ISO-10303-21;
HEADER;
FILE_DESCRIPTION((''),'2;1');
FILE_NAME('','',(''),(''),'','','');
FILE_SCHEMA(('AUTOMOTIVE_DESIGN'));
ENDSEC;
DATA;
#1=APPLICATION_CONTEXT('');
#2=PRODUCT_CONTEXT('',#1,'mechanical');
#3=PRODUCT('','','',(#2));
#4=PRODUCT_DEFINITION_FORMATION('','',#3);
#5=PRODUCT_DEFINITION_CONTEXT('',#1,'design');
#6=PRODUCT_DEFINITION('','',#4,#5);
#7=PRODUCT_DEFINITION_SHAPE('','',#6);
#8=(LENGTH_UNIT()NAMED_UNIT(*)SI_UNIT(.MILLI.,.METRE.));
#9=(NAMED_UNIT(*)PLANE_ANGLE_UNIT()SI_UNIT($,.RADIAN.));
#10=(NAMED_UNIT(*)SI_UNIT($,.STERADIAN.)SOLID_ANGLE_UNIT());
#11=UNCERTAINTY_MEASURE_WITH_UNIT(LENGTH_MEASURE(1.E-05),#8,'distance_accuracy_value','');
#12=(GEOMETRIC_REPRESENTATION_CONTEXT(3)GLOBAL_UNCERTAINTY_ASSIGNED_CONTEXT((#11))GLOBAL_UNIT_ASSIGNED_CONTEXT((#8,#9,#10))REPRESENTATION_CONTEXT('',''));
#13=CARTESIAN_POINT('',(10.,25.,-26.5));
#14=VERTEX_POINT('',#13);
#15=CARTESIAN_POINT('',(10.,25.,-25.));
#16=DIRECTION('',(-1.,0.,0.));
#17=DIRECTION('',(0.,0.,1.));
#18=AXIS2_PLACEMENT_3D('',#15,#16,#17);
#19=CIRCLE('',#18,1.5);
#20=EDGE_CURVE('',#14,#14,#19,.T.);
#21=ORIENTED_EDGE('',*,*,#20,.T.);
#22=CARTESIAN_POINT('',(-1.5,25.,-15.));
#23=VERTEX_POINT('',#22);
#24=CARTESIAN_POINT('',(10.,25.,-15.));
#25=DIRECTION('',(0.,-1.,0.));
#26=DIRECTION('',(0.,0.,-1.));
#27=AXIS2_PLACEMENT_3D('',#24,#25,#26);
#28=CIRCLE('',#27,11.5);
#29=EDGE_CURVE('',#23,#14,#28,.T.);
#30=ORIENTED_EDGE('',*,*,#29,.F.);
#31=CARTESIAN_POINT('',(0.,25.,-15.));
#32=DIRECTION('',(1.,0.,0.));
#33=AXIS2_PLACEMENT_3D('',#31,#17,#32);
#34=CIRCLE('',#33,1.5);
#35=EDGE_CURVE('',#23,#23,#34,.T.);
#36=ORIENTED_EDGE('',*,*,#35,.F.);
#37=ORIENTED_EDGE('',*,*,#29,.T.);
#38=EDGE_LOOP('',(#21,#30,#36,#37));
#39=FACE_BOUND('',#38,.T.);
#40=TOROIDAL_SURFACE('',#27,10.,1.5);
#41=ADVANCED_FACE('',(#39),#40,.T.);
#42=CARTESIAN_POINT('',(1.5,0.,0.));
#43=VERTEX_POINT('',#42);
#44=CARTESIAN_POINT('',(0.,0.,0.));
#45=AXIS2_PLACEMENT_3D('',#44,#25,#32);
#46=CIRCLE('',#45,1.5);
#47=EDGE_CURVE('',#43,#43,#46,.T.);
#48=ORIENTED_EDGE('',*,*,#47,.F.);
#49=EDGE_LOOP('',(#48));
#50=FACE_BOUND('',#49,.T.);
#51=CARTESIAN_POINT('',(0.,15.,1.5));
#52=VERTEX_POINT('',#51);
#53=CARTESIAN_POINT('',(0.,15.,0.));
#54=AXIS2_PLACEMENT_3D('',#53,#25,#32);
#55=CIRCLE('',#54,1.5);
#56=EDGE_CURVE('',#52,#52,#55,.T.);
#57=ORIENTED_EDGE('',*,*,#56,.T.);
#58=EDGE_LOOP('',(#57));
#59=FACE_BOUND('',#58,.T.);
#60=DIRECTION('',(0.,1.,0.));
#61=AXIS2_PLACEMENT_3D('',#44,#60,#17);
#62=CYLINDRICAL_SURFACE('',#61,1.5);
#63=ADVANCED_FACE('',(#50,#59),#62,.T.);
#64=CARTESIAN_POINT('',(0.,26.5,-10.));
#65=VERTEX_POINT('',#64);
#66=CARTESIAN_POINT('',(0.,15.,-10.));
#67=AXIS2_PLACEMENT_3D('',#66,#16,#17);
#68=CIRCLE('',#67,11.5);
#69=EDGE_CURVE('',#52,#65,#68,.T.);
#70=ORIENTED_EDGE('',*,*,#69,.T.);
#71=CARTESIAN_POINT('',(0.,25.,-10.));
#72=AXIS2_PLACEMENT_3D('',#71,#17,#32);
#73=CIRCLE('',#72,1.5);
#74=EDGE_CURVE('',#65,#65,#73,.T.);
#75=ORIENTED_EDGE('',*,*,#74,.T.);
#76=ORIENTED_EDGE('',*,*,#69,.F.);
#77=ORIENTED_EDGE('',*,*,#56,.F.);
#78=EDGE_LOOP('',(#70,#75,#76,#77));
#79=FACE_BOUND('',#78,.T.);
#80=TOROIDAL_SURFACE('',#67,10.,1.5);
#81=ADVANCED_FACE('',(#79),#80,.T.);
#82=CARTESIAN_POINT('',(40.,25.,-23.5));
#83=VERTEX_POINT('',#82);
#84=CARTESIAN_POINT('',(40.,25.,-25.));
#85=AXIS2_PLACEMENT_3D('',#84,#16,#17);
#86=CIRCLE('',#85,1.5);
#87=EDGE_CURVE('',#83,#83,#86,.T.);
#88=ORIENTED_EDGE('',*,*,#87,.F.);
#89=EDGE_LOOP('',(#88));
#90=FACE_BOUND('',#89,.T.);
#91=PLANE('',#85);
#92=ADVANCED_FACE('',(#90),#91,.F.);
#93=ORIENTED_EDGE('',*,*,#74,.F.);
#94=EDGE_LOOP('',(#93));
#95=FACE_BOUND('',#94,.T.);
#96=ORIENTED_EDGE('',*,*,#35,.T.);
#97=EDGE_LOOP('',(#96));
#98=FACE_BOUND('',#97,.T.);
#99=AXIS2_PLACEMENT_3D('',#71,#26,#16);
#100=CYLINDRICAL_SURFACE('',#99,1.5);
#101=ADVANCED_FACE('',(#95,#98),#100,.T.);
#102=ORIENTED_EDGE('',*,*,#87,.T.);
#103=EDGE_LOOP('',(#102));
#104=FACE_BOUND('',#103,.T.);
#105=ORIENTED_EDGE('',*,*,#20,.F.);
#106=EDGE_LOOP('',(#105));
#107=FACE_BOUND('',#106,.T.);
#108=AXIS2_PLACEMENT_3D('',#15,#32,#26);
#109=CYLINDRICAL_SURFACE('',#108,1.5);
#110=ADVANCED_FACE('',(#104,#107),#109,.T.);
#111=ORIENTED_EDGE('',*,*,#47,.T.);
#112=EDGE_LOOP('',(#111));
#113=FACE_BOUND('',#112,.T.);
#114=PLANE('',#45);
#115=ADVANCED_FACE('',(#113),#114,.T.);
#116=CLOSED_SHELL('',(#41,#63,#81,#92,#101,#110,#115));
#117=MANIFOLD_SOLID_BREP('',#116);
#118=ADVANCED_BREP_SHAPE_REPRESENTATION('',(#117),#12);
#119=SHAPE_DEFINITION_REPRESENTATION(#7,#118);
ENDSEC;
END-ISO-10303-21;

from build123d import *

# Parameters (mm, degrees)
BALAYAGE1_PROFILE_R = 1.5


with BuildPart() as part:
    # Balayage1: sweep along a curve in space
    with BuildLine() as balayage1_path:
        Line((0, 0, 0), (0, 15, 0))
        ThreePointArc((0, 15, 0), (0, 22.071067812, -2.928932188), (0, 25, -10))
        Line((0, 25, -10), (0, 25, -15))
        ThreePointArc((0, 25, -15), (2.928932188, 25, -22.071067812), (10, 25, -25))
        Line((10, 25, -25), (40, 25, -25))
    # Balayage1 profile (on start of the path) → Balayage1 (sweep)
    with BuildSketch(Plane.ZX):
        Circle(BALAYAGE1_PROFILE_R)
    sweep(path=balayage1_path.line)


solid = part.part
